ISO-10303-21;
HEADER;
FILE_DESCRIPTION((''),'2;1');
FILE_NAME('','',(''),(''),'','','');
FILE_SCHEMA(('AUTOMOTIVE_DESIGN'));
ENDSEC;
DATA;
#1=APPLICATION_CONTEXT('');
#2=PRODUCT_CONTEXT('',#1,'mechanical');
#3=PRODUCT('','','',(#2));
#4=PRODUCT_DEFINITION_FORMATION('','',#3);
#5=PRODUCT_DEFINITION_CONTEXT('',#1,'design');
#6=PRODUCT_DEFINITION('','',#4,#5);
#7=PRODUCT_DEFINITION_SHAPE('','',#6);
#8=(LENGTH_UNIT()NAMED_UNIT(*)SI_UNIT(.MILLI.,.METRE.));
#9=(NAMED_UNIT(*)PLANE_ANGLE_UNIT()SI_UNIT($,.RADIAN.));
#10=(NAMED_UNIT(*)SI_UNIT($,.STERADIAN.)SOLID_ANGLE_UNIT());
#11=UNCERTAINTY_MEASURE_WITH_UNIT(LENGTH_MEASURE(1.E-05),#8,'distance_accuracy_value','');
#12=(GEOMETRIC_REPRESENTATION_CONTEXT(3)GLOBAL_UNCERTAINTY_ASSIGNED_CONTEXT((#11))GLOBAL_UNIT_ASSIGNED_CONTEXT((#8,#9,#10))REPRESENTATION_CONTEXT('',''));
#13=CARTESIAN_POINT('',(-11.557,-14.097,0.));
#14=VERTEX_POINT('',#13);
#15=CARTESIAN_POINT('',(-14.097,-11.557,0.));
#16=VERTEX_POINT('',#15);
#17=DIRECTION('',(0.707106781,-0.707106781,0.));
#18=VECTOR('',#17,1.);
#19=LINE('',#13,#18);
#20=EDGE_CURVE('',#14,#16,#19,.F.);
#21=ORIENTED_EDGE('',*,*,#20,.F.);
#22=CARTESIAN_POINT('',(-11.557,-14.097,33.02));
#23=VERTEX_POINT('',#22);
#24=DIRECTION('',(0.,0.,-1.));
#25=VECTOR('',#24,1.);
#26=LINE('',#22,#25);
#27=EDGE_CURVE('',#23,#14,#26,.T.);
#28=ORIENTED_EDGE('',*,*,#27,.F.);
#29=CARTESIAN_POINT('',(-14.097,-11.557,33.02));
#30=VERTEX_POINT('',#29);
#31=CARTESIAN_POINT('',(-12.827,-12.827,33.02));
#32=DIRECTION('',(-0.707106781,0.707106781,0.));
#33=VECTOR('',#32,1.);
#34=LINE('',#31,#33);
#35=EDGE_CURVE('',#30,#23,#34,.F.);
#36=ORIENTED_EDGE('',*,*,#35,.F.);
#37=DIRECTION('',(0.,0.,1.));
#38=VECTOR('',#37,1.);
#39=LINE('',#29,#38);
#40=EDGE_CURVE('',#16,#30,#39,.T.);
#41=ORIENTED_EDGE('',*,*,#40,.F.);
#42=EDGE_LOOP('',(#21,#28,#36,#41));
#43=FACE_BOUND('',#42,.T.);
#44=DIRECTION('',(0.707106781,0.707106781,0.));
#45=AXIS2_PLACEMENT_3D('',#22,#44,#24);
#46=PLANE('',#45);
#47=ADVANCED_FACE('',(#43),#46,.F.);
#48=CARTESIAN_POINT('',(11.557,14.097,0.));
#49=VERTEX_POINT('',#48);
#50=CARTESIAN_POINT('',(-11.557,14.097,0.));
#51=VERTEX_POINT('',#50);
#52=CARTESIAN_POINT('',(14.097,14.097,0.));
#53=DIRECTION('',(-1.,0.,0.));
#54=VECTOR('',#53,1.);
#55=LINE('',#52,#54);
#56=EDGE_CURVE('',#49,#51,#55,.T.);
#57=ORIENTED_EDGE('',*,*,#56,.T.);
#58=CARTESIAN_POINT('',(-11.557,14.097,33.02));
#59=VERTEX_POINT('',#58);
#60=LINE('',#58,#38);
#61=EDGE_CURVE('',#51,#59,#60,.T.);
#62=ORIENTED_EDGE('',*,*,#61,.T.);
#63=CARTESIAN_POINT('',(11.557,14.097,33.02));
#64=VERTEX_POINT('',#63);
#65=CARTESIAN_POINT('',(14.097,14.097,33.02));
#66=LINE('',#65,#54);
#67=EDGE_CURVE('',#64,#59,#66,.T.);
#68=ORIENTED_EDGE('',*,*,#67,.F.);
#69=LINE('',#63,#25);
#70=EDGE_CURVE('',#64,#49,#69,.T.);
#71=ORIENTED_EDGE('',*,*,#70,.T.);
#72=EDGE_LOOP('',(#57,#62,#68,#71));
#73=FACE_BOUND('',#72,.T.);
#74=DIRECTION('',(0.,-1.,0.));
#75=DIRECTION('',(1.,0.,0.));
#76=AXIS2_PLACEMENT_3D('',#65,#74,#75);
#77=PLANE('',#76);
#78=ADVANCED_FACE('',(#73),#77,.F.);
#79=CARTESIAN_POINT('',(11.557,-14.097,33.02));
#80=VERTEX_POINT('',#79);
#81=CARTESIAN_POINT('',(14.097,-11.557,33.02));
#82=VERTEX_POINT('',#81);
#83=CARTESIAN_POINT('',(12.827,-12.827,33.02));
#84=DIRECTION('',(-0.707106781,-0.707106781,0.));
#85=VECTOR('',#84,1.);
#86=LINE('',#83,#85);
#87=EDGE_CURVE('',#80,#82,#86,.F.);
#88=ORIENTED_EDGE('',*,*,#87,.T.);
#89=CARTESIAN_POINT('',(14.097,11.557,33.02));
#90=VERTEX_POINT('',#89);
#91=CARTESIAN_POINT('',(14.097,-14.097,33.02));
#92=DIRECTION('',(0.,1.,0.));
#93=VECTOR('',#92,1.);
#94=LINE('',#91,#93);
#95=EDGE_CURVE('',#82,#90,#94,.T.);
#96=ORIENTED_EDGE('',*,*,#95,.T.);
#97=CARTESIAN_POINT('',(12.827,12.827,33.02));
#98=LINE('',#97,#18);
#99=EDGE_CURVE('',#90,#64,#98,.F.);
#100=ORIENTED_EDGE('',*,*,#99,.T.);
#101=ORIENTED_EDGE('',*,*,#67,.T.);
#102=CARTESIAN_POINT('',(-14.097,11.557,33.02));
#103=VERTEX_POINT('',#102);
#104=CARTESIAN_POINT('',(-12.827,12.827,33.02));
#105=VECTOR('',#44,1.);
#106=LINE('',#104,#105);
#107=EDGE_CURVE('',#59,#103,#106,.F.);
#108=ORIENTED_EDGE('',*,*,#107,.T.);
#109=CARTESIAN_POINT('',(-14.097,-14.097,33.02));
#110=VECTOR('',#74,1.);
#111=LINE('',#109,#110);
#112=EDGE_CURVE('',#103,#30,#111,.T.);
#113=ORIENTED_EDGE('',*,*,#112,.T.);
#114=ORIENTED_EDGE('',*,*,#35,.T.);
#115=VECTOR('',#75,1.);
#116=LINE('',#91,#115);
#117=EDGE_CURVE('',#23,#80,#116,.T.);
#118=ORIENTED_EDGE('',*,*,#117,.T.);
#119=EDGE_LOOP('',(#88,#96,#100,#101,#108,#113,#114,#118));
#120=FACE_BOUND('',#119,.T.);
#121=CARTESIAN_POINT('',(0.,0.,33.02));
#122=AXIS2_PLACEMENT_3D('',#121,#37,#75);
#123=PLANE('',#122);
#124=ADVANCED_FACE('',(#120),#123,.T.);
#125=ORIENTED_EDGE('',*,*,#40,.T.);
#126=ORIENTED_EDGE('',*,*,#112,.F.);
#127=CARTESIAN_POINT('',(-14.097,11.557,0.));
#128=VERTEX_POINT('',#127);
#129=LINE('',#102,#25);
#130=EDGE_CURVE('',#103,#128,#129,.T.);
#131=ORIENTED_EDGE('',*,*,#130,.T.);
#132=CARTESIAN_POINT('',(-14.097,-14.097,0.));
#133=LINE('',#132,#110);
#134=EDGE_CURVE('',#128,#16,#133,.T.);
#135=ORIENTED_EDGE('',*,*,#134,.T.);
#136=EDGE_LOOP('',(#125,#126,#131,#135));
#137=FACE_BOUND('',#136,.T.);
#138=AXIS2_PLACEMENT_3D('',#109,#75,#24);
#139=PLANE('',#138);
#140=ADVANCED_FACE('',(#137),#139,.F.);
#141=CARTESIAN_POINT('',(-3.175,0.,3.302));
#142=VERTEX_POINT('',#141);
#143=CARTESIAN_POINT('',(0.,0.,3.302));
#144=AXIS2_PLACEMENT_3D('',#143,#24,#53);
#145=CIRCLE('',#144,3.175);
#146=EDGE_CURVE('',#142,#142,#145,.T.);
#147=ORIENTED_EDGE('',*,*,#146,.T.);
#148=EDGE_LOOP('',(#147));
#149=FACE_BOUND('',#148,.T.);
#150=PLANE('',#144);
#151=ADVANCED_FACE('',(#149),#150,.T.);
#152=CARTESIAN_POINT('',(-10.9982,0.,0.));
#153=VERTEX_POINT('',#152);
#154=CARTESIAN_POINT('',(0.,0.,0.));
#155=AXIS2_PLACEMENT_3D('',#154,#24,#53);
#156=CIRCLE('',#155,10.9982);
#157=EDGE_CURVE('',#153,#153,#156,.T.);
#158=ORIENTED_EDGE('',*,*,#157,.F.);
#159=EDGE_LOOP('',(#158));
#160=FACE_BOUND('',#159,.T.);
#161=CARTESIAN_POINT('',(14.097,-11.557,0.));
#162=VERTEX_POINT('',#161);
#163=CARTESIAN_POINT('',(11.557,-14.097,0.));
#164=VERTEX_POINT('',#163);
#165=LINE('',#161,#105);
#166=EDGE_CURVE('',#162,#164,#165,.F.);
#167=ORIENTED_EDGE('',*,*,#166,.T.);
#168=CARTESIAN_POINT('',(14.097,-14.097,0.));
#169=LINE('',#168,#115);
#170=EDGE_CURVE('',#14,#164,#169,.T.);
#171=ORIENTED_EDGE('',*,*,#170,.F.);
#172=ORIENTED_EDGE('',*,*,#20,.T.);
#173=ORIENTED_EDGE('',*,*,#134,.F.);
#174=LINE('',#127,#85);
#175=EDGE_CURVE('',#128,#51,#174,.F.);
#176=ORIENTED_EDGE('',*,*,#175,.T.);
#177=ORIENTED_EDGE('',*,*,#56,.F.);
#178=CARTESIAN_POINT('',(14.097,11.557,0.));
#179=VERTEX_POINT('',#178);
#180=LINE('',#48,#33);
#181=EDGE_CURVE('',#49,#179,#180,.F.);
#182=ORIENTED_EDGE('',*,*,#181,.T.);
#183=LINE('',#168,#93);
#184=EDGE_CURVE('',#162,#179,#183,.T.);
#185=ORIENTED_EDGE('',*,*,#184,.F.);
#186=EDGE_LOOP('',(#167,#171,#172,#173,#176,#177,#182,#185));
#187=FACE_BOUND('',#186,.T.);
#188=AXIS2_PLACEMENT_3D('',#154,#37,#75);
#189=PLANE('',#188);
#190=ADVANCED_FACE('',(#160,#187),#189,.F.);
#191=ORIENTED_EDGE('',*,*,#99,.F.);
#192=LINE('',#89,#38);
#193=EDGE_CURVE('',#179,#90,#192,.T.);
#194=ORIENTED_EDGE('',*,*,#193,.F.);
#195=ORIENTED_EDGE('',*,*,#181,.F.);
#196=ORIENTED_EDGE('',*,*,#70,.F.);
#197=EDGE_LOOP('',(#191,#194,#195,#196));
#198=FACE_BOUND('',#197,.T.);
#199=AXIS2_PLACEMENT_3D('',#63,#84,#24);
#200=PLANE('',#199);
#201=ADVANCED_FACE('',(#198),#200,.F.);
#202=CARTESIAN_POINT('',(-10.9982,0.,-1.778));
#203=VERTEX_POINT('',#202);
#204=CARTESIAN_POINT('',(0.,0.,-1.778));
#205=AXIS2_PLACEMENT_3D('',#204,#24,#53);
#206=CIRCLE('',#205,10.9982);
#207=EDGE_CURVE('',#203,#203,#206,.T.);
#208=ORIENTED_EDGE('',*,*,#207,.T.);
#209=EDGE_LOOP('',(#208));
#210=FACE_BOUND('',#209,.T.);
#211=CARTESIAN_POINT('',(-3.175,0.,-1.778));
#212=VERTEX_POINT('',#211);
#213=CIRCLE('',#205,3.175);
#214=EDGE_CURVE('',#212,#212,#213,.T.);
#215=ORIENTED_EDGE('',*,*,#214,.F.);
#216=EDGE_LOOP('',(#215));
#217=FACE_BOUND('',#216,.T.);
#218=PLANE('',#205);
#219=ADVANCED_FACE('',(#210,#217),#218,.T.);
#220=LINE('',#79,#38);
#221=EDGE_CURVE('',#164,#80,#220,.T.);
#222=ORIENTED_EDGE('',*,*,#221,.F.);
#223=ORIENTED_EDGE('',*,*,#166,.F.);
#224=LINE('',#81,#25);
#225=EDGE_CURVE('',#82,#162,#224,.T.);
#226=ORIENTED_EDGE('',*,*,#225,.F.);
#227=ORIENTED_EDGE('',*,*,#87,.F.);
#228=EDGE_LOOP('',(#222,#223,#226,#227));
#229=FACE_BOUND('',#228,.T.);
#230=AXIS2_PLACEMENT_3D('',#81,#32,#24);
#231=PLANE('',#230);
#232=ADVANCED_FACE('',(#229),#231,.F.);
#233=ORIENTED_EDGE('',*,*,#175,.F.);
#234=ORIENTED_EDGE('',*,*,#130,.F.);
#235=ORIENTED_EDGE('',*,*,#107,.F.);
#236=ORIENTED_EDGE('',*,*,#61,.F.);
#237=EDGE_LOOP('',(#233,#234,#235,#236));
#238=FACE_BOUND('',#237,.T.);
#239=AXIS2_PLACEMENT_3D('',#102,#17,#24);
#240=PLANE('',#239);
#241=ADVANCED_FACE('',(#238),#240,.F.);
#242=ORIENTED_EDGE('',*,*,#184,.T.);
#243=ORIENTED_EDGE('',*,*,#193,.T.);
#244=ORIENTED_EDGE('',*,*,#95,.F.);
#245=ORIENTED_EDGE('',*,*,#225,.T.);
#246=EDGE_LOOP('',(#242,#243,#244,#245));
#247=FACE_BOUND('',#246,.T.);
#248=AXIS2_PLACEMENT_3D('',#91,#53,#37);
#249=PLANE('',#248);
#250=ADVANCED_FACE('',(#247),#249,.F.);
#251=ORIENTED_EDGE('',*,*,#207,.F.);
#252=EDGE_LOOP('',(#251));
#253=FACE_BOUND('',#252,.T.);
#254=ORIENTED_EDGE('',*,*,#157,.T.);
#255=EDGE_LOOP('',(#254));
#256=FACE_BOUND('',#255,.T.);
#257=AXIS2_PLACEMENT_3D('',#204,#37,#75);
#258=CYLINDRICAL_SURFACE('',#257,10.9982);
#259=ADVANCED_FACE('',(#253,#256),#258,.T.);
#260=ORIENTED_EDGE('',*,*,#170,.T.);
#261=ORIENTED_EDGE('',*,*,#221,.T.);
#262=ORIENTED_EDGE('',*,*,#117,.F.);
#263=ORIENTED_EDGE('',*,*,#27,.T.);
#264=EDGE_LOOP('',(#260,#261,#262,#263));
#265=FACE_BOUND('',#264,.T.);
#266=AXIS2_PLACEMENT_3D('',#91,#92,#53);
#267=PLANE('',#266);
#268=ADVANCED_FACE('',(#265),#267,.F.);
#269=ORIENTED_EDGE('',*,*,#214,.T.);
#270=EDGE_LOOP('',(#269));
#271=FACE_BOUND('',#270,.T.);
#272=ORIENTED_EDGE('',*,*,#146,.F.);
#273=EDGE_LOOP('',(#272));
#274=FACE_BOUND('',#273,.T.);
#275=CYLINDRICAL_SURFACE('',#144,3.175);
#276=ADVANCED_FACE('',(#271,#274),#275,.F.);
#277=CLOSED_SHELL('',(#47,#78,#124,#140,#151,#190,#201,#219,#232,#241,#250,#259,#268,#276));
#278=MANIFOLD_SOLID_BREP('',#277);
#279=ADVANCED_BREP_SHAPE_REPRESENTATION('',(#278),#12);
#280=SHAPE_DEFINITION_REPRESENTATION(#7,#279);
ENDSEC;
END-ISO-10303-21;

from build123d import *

# Parameters (mm, degrees)
SKETCH1_W           = 28.194
SKETCH1_H           = 28.194
BOSS_EXTRUDE1_DEPTH = 33.02
SKETCH3_R           = 10.9982
BOSS_EXTRUDE2_DEPTH = 1.778
SKETCH5_R           = 3.175
CUT_EXTRUDE1_DEPTH  = 5.08
CHAMFER1_SIZE       = 2.54


with BuildPart() as part:
    # Sketch1 → Boss-Extrude1 (new body)
    with BuildSketch(Plane.XY):
        Rectangle(SKETCH1_W, SKETCH1_H)
    extrude(amount=BOSS_EXTRUDE1_DEPTH)

    # Sketch3 → Boss-Extrude2 (add)
    with BuildSketch(Plane(origin=(0, 0, 0), x_dir=(-1, 0, 0), z_dir=(0, 0, -1))):
        Circle(SKETCH3_R)
    extrude(amount=BOSS_EXTRUDE2_DEPTH)

    # Sketch5 → Cut-Extrude1 (cut)
    with BuildSketch(Plane(origin=(0, 0, -1.778), x_dir=(-1, 0, 0), z_dir=(0, 0, -1))):
        Circle(SKETCH5_R)
    extrude(amount=-CUT_EXTRUDE1_DEPTH, mode=Mode.SUBTRACT)

    # Chamfer1
    chamfer1_edges = [part.edges().sort_by_distance(p)[0] for p in [
        (-14.097, 14.097, 16.51),
        (14.097, 14.097, 16.51),
        (14.097, -14.097, 16.51),
        (-14.097, -14.097, 16.51),
    ]]
    chamfer(chamfer1_edges, length=CHAMFER1_SIZE)


solid = part.part
